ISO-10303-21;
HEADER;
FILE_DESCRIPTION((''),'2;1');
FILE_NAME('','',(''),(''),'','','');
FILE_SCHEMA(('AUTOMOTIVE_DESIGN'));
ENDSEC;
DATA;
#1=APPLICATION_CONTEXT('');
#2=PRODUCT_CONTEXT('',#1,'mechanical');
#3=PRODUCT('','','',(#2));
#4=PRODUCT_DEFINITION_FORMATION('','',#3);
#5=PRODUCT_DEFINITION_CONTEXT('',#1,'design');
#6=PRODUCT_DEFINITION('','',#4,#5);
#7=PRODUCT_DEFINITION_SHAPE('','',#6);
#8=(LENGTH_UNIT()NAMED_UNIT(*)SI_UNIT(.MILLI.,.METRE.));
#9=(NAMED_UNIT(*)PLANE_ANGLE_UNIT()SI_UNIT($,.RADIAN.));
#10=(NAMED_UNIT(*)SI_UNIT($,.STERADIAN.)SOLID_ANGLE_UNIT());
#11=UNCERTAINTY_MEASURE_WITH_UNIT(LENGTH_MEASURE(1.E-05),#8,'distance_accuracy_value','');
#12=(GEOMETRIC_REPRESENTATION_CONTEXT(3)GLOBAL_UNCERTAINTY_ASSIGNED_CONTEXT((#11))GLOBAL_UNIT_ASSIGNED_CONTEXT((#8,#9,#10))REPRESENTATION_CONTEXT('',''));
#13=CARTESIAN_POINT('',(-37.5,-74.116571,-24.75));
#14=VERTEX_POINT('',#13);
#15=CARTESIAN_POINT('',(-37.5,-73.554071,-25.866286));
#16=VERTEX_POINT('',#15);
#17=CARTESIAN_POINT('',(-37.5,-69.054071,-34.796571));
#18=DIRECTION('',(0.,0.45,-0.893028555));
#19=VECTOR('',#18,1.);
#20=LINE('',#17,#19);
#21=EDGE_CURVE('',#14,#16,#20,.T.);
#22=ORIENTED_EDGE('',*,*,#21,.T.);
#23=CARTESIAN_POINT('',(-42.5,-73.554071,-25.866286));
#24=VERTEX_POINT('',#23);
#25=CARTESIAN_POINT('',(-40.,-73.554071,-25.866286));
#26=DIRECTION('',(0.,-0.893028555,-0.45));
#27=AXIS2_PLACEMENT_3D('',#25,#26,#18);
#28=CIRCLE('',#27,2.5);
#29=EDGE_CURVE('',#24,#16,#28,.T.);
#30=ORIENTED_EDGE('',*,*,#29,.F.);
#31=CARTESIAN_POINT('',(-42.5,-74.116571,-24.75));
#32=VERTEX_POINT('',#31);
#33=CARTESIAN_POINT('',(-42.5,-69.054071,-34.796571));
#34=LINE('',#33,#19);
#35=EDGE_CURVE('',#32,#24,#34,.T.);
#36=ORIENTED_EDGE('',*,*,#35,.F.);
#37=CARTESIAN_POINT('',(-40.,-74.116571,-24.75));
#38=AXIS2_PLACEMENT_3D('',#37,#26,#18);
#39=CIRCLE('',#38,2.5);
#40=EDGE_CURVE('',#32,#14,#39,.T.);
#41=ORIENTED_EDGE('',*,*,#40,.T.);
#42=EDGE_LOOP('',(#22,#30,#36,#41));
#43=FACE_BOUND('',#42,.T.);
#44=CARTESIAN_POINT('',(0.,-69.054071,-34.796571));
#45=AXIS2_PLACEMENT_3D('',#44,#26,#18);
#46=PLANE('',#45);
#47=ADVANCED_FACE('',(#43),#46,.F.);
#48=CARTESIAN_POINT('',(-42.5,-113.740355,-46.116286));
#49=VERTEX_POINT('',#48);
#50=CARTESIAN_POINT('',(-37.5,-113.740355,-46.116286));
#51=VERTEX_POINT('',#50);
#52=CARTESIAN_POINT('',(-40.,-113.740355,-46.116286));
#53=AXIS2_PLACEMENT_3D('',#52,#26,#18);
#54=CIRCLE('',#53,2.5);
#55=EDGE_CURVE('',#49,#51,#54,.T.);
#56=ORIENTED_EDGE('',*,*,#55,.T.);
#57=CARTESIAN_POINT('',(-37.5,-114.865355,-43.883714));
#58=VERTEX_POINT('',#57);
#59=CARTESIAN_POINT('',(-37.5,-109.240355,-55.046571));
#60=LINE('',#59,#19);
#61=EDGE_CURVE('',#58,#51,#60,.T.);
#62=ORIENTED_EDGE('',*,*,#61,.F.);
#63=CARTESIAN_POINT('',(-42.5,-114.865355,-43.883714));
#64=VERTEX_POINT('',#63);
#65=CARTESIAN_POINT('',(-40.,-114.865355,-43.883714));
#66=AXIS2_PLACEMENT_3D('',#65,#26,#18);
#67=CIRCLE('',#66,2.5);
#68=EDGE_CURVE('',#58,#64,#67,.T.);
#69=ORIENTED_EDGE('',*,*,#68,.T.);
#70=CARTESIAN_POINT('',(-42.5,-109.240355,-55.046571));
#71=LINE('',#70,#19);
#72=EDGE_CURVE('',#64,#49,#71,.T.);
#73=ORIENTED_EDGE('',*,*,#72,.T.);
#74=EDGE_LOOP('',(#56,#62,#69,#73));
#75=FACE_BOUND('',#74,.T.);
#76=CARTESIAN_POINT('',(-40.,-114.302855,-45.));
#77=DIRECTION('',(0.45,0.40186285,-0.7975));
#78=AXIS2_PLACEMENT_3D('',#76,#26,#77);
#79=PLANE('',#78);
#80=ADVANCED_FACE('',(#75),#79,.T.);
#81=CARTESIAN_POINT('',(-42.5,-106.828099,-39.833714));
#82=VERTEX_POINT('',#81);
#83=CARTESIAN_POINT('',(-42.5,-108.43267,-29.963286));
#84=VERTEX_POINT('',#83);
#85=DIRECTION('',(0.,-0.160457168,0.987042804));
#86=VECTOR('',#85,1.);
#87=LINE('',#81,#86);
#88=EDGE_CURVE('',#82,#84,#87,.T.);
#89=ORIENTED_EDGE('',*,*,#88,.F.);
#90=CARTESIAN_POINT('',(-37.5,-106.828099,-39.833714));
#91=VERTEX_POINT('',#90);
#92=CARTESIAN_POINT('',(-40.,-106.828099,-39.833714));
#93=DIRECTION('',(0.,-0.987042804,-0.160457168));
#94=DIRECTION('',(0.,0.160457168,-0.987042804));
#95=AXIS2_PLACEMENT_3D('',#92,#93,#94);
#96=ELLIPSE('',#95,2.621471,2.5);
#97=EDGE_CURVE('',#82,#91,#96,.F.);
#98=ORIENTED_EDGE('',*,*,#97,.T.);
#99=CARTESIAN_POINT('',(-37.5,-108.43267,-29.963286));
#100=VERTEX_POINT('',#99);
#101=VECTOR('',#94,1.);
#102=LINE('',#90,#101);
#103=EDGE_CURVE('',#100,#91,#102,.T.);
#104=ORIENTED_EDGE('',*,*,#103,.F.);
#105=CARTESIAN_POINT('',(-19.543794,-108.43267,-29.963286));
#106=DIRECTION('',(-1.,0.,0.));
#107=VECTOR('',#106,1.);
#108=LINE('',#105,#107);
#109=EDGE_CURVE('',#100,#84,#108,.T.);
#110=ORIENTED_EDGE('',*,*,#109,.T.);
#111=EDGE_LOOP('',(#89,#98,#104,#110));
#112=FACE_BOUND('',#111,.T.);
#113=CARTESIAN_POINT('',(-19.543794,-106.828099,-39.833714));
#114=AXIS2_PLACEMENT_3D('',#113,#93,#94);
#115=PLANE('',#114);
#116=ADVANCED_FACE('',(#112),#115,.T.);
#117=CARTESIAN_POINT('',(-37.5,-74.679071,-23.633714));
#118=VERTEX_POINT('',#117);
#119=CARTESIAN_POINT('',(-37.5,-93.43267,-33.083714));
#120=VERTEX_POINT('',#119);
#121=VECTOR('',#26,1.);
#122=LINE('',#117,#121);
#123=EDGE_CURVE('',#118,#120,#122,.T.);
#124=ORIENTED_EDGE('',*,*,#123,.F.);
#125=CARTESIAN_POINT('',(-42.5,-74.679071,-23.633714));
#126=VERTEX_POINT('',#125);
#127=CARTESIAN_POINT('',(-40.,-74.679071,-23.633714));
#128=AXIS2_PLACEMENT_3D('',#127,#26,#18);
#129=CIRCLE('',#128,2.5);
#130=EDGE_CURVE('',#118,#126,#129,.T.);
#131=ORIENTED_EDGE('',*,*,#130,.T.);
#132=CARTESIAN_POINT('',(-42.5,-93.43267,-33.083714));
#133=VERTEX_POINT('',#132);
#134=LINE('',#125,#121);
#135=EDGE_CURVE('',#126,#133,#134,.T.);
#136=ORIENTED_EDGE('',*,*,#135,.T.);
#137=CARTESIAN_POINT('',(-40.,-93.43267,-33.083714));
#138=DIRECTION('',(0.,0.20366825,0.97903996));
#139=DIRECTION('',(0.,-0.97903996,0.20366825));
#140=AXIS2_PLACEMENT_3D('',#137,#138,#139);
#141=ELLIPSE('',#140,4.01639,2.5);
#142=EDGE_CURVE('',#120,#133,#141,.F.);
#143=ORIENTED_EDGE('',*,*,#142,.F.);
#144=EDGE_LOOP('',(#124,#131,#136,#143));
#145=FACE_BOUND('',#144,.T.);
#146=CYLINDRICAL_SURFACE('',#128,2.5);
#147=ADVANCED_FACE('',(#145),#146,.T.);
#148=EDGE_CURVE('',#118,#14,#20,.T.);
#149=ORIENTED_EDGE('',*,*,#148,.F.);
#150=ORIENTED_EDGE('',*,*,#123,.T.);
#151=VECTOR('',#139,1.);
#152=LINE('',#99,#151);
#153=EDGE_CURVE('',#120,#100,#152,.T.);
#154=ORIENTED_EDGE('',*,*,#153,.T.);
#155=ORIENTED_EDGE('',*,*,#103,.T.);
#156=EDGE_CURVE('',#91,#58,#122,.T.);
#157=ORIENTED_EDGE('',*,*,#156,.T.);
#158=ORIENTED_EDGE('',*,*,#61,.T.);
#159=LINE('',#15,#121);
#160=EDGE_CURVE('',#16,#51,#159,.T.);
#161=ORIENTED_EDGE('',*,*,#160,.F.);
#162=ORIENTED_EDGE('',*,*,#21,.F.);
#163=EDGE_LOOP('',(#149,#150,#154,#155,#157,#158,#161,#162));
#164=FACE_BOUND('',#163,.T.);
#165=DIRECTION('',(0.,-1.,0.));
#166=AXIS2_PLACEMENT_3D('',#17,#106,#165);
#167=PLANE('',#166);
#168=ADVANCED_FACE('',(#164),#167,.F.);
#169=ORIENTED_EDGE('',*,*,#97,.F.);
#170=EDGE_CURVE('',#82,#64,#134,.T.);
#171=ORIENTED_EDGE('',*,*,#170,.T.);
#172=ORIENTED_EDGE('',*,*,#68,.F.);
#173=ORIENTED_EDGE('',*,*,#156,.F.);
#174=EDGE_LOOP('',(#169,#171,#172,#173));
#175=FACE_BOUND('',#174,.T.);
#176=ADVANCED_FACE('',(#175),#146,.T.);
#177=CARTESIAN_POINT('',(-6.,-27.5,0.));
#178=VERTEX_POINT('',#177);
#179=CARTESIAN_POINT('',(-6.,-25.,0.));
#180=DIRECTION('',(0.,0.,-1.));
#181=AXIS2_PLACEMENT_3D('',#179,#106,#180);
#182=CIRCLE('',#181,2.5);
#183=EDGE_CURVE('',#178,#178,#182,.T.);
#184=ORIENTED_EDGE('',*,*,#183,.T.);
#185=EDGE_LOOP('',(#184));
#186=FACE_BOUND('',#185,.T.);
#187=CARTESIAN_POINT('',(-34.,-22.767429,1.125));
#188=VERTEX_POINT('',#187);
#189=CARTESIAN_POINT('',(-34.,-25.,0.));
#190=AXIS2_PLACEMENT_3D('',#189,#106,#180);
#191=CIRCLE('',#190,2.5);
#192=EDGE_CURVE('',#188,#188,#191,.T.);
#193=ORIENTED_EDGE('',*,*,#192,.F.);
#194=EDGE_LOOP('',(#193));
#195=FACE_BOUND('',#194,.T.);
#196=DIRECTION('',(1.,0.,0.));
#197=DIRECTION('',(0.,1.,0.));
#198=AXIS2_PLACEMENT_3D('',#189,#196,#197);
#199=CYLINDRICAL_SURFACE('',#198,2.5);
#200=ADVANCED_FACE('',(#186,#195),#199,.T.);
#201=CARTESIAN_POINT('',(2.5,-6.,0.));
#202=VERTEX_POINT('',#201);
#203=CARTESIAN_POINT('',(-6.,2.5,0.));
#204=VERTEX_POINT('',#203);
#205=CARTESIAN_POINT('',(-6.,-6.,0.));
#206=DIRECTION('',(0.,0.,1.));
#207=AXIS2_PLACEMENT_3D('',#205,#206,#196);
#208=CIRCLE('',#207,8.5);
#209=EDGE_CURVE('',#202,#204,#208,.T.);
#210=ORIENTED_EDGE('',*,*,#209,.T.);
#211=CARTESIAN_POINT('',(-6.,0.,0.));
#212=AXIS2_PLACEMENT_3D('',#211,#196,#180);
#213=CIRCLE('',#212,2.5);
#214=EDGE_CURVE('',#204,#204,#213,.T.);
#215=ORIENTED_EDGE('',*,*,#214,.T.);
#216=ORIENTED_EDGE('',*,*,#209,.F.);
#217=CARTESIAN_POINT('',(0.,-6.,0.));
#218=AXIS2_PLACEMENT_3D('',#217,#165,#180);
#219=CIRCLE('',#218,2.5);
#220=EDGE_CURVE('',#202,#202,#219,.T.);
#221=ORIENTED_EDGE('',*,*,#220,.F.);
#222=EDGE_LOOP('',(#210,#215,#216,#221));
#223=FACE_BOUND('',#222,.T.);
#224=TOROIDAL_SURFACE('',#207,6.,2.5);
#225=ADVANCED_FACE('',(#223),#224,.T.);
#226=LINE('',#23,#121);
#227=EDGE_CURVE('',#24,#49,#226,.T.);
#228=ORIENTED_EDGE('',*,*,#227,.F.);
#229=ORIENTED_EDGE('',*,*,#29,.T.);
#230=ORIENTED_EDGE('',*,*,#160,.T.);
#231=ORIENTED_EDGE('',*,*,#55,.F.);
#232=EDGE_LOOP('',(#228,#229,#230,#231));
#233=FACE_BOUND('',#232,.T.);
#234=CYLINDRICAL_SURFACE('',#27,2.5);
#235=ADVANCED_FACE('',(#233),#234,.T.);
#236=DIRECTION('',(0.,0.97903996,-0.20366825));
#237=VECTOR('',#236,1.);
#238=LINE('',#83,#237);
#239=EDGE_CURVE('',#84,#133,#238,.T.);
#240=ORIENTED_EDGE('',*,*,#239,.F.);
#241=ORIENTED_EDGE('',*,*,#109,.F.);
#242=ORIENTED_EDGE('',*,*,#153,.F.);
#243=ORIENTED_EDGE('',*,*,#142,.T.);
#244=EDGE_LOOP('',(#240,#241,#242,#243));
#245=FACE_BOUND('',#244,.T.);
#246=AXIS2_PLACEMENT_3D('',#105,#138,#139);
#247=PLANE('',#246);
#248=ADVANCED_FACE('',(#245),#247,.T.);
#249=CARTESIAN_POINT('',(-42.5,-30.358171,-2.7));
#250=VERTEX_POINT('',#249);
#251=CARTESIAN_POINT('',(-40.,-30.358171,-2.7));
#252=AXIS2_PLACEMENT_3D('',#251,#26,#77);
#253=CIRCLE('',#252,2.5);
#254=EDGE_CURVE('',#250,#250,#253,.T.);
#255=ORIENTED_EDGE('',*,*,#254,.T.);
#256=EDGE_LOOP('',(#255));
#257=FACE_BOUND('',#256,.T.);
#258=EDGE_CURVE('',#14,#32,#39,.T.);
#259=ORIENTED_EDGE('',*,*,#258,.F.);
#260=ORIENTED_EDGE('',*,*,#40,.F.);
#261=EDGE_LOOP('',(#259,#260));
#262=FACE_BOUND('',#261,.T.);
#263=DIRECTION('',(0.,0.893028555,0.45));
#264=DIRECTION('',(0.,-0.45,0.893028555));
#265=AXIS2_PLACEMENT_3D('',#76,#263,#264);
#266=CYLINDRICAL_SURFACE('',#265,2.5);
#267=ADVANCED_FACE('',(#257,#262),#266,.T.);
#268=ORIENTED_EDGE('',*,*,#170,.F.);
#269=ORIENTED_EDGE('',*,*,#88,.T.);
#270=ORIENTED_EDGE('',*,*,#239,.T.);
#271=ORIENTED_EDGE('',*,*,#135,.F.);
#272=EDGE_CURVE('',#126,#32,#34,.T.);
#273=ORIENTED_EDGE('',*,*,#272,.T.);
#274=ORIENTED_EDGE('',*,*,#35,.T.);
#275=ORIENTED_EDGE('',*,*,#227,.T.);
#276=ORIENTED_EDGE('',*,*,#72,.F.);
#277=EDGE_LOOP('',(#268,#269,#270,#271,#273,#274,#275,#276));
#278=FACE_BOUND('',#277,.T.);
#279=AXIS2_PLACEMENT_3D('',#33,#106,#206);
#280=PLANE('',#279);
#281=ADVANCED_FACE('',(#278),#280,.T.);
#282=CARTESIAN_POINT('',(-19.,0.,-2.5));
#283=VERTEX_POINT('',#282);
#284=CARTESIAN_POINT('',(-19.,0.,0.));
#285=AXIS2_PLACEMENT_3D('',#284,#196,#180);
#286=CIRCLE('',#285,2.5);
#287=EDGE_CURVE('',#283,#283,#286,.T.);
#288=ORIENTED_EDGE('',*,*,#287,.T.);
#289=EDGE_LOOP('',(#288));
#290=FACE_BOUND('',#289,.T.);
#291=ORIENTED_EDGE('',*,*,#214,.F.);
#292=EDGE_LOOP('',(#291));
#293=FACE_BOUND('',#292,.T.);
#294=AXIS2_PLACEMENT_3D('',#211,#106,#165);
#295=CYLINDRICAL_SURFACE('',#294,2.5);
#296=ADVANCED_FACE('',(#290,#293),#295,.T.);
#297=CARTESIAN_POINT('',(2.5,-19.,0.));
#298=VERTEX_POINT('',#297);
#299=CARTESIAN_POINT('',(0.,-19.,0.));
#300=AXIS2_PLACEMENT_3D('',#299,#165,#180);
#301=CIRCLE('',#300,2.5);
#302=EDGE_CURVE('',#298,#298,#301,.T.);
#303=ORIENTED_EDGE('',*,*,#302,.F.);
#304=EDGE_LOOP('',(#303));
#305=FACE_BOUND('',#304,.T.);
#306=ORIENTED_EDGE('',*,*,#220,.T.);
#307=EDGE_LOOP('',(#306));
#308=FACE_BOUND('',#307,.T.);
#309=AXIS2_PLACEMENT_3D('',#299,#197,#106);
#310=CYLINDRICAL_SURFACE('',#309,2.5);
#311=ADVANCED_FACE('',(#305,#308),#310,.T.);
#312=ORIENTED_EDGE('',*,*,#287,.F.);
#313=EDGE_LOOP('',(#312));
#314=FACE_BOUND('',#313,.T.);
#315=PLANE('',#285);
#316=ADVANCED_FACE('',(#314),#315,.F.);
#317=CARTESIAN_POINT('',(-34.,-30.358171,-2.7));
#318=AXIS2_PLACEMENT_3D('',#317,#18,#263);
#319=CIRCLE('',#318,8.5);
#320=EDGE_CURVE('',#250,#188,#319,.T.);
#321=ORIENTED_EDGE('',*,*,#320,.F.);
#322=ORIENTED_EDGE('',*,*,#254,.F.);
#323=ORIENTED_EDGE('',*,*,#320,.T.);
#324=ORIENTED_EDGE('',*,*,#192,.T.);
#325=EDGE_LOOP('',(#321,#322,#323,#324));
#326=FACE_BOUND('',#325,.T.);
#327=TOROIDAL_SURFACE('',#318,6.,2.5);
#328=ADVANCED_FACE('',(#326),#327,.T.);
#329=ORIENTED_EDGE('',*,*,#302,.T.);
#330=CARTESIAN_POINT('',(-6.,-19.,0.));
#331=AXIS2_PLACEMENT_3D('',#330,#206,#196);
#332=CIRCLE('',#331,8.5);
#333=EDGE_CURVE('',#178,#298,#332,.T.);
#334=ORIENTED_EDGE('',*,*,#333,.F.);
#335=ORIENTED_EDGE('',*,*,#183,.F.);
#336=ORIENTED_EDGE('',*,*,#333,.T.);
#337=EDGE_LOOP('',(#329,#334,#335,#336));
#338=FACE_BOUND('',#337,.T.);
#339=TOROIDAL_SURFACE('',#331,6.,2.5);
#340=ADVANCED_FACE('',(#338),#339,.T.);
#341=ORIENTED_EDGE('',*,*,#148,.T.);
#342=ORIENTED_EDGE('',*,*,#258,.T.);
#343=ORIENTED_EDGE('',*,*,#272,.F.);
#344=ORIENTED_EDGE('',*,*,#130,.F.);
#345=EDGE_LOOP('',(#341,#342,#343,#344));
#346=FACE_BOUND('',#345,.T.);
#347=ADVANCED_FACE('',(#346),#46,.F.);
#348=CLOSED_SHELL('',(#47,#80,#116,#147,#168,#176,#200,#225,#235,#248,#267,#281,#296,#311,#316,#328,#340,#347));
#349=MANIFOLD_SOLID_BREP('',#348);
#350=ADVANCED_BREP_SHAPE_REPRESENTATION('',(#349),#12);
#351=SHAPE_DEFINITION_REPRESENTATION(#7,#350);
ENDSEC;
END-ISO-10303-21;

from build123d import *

# Parameters (mm, degrees)
SKETCH2_R           = 2.5
BOSS_EXTRUDE1_DEPTH = 45
BOSS_EXTRUDE2_DEPTH = 5


with BuildPart() as part:
    # Sweep1: sweep along a curve in space
    with BuildLine() as sweep1_path:
        Line((-40, -30.35817133, -2.7), (-40, -114.302855497, -45))
        ThreePointArc((-34, -25, 0), (-38.242640687, -26.569372048, -0.790811691), (-40, -30.35817133, -2.7))
        Line((-6, -25, 0), (-34, -25, 0))
        ThreePointArc((-6, -25, 0), (-1.757359313, -23.242640687, 0), (0, -19, 0))
        Line((0, -6, 0), (0, -19, 0))
        ThreePointArc((-6, 0, 0), (-1.757359313, -1.757359313, 0), (0, -6, 0))
        Line((-6, 0, 0), (-19, 0, 0))
    # Sketch2 → Sweep1 (sweep)
    with BuildSketch(Plane(origin=(-19, 0, 0), x_dir=(0, 0, -1), z_dir=(1, 0, 0))):
        Circle(SKETCH2_R)
    sweep(path=sweep1_path.line)

    # Sketch3 → Boss-Extrude1 (add)
    with BuildSketch(Plane(origin=(0, -109.240355497, -55.046571243), x_dir=(1, 0, 0), z_dir=(0, -0.8930285549745877, -0.45000000000000007))):
        with BuildLine():
            Line((-37.5, 11.25), (-37.5, 12.5))
            ThreePointArc((-37.5, 12.5), (-40, 15), (-42.5, 12.5))
            Line((-42.5, 12.5), (-42.5, 11.25))
            ThreePointArc((-42.5, 11.25), (-40, 13.75), (-37.5, 11.25))
        make_face()
        with BuildLine():
            ThreePointArc((-42.5, 11.25), (-40, 8.75), (-37.5, 11.25))
            ThreePointArc((-37.5, 11.25), (-40, 13.75), (-42.5, 11.25))
        make_face()
        with BuildLine():
            Line((-37.5, 10), (-37.5, 11.25))
            ThreePointArc((-37.5, 11.25), (-40, 8.75), (-42.5, 11.25))
            Line((-42.5, 11.25), (-42.5, 10))
            ThreePointArc((-42.5, 10), (-40, 7.5), (-37.5, 10))
        make_face()
    extrude(amount=-BOSS_EXTRUDE1_DEPTH)

    # Sketch4 → Boss-Extrude2 (add)
    with BuildSketch(Plane.ZY.offset(42.5)):
        Polygon((-39.833714306, -106.828098503), (-29.963286264, -108.432670178), (-33.083714306, -93.432670178), align=None)
    extrude(amount=-BOSS_EXTRUDE2_DEPTH)


solid = part.part
